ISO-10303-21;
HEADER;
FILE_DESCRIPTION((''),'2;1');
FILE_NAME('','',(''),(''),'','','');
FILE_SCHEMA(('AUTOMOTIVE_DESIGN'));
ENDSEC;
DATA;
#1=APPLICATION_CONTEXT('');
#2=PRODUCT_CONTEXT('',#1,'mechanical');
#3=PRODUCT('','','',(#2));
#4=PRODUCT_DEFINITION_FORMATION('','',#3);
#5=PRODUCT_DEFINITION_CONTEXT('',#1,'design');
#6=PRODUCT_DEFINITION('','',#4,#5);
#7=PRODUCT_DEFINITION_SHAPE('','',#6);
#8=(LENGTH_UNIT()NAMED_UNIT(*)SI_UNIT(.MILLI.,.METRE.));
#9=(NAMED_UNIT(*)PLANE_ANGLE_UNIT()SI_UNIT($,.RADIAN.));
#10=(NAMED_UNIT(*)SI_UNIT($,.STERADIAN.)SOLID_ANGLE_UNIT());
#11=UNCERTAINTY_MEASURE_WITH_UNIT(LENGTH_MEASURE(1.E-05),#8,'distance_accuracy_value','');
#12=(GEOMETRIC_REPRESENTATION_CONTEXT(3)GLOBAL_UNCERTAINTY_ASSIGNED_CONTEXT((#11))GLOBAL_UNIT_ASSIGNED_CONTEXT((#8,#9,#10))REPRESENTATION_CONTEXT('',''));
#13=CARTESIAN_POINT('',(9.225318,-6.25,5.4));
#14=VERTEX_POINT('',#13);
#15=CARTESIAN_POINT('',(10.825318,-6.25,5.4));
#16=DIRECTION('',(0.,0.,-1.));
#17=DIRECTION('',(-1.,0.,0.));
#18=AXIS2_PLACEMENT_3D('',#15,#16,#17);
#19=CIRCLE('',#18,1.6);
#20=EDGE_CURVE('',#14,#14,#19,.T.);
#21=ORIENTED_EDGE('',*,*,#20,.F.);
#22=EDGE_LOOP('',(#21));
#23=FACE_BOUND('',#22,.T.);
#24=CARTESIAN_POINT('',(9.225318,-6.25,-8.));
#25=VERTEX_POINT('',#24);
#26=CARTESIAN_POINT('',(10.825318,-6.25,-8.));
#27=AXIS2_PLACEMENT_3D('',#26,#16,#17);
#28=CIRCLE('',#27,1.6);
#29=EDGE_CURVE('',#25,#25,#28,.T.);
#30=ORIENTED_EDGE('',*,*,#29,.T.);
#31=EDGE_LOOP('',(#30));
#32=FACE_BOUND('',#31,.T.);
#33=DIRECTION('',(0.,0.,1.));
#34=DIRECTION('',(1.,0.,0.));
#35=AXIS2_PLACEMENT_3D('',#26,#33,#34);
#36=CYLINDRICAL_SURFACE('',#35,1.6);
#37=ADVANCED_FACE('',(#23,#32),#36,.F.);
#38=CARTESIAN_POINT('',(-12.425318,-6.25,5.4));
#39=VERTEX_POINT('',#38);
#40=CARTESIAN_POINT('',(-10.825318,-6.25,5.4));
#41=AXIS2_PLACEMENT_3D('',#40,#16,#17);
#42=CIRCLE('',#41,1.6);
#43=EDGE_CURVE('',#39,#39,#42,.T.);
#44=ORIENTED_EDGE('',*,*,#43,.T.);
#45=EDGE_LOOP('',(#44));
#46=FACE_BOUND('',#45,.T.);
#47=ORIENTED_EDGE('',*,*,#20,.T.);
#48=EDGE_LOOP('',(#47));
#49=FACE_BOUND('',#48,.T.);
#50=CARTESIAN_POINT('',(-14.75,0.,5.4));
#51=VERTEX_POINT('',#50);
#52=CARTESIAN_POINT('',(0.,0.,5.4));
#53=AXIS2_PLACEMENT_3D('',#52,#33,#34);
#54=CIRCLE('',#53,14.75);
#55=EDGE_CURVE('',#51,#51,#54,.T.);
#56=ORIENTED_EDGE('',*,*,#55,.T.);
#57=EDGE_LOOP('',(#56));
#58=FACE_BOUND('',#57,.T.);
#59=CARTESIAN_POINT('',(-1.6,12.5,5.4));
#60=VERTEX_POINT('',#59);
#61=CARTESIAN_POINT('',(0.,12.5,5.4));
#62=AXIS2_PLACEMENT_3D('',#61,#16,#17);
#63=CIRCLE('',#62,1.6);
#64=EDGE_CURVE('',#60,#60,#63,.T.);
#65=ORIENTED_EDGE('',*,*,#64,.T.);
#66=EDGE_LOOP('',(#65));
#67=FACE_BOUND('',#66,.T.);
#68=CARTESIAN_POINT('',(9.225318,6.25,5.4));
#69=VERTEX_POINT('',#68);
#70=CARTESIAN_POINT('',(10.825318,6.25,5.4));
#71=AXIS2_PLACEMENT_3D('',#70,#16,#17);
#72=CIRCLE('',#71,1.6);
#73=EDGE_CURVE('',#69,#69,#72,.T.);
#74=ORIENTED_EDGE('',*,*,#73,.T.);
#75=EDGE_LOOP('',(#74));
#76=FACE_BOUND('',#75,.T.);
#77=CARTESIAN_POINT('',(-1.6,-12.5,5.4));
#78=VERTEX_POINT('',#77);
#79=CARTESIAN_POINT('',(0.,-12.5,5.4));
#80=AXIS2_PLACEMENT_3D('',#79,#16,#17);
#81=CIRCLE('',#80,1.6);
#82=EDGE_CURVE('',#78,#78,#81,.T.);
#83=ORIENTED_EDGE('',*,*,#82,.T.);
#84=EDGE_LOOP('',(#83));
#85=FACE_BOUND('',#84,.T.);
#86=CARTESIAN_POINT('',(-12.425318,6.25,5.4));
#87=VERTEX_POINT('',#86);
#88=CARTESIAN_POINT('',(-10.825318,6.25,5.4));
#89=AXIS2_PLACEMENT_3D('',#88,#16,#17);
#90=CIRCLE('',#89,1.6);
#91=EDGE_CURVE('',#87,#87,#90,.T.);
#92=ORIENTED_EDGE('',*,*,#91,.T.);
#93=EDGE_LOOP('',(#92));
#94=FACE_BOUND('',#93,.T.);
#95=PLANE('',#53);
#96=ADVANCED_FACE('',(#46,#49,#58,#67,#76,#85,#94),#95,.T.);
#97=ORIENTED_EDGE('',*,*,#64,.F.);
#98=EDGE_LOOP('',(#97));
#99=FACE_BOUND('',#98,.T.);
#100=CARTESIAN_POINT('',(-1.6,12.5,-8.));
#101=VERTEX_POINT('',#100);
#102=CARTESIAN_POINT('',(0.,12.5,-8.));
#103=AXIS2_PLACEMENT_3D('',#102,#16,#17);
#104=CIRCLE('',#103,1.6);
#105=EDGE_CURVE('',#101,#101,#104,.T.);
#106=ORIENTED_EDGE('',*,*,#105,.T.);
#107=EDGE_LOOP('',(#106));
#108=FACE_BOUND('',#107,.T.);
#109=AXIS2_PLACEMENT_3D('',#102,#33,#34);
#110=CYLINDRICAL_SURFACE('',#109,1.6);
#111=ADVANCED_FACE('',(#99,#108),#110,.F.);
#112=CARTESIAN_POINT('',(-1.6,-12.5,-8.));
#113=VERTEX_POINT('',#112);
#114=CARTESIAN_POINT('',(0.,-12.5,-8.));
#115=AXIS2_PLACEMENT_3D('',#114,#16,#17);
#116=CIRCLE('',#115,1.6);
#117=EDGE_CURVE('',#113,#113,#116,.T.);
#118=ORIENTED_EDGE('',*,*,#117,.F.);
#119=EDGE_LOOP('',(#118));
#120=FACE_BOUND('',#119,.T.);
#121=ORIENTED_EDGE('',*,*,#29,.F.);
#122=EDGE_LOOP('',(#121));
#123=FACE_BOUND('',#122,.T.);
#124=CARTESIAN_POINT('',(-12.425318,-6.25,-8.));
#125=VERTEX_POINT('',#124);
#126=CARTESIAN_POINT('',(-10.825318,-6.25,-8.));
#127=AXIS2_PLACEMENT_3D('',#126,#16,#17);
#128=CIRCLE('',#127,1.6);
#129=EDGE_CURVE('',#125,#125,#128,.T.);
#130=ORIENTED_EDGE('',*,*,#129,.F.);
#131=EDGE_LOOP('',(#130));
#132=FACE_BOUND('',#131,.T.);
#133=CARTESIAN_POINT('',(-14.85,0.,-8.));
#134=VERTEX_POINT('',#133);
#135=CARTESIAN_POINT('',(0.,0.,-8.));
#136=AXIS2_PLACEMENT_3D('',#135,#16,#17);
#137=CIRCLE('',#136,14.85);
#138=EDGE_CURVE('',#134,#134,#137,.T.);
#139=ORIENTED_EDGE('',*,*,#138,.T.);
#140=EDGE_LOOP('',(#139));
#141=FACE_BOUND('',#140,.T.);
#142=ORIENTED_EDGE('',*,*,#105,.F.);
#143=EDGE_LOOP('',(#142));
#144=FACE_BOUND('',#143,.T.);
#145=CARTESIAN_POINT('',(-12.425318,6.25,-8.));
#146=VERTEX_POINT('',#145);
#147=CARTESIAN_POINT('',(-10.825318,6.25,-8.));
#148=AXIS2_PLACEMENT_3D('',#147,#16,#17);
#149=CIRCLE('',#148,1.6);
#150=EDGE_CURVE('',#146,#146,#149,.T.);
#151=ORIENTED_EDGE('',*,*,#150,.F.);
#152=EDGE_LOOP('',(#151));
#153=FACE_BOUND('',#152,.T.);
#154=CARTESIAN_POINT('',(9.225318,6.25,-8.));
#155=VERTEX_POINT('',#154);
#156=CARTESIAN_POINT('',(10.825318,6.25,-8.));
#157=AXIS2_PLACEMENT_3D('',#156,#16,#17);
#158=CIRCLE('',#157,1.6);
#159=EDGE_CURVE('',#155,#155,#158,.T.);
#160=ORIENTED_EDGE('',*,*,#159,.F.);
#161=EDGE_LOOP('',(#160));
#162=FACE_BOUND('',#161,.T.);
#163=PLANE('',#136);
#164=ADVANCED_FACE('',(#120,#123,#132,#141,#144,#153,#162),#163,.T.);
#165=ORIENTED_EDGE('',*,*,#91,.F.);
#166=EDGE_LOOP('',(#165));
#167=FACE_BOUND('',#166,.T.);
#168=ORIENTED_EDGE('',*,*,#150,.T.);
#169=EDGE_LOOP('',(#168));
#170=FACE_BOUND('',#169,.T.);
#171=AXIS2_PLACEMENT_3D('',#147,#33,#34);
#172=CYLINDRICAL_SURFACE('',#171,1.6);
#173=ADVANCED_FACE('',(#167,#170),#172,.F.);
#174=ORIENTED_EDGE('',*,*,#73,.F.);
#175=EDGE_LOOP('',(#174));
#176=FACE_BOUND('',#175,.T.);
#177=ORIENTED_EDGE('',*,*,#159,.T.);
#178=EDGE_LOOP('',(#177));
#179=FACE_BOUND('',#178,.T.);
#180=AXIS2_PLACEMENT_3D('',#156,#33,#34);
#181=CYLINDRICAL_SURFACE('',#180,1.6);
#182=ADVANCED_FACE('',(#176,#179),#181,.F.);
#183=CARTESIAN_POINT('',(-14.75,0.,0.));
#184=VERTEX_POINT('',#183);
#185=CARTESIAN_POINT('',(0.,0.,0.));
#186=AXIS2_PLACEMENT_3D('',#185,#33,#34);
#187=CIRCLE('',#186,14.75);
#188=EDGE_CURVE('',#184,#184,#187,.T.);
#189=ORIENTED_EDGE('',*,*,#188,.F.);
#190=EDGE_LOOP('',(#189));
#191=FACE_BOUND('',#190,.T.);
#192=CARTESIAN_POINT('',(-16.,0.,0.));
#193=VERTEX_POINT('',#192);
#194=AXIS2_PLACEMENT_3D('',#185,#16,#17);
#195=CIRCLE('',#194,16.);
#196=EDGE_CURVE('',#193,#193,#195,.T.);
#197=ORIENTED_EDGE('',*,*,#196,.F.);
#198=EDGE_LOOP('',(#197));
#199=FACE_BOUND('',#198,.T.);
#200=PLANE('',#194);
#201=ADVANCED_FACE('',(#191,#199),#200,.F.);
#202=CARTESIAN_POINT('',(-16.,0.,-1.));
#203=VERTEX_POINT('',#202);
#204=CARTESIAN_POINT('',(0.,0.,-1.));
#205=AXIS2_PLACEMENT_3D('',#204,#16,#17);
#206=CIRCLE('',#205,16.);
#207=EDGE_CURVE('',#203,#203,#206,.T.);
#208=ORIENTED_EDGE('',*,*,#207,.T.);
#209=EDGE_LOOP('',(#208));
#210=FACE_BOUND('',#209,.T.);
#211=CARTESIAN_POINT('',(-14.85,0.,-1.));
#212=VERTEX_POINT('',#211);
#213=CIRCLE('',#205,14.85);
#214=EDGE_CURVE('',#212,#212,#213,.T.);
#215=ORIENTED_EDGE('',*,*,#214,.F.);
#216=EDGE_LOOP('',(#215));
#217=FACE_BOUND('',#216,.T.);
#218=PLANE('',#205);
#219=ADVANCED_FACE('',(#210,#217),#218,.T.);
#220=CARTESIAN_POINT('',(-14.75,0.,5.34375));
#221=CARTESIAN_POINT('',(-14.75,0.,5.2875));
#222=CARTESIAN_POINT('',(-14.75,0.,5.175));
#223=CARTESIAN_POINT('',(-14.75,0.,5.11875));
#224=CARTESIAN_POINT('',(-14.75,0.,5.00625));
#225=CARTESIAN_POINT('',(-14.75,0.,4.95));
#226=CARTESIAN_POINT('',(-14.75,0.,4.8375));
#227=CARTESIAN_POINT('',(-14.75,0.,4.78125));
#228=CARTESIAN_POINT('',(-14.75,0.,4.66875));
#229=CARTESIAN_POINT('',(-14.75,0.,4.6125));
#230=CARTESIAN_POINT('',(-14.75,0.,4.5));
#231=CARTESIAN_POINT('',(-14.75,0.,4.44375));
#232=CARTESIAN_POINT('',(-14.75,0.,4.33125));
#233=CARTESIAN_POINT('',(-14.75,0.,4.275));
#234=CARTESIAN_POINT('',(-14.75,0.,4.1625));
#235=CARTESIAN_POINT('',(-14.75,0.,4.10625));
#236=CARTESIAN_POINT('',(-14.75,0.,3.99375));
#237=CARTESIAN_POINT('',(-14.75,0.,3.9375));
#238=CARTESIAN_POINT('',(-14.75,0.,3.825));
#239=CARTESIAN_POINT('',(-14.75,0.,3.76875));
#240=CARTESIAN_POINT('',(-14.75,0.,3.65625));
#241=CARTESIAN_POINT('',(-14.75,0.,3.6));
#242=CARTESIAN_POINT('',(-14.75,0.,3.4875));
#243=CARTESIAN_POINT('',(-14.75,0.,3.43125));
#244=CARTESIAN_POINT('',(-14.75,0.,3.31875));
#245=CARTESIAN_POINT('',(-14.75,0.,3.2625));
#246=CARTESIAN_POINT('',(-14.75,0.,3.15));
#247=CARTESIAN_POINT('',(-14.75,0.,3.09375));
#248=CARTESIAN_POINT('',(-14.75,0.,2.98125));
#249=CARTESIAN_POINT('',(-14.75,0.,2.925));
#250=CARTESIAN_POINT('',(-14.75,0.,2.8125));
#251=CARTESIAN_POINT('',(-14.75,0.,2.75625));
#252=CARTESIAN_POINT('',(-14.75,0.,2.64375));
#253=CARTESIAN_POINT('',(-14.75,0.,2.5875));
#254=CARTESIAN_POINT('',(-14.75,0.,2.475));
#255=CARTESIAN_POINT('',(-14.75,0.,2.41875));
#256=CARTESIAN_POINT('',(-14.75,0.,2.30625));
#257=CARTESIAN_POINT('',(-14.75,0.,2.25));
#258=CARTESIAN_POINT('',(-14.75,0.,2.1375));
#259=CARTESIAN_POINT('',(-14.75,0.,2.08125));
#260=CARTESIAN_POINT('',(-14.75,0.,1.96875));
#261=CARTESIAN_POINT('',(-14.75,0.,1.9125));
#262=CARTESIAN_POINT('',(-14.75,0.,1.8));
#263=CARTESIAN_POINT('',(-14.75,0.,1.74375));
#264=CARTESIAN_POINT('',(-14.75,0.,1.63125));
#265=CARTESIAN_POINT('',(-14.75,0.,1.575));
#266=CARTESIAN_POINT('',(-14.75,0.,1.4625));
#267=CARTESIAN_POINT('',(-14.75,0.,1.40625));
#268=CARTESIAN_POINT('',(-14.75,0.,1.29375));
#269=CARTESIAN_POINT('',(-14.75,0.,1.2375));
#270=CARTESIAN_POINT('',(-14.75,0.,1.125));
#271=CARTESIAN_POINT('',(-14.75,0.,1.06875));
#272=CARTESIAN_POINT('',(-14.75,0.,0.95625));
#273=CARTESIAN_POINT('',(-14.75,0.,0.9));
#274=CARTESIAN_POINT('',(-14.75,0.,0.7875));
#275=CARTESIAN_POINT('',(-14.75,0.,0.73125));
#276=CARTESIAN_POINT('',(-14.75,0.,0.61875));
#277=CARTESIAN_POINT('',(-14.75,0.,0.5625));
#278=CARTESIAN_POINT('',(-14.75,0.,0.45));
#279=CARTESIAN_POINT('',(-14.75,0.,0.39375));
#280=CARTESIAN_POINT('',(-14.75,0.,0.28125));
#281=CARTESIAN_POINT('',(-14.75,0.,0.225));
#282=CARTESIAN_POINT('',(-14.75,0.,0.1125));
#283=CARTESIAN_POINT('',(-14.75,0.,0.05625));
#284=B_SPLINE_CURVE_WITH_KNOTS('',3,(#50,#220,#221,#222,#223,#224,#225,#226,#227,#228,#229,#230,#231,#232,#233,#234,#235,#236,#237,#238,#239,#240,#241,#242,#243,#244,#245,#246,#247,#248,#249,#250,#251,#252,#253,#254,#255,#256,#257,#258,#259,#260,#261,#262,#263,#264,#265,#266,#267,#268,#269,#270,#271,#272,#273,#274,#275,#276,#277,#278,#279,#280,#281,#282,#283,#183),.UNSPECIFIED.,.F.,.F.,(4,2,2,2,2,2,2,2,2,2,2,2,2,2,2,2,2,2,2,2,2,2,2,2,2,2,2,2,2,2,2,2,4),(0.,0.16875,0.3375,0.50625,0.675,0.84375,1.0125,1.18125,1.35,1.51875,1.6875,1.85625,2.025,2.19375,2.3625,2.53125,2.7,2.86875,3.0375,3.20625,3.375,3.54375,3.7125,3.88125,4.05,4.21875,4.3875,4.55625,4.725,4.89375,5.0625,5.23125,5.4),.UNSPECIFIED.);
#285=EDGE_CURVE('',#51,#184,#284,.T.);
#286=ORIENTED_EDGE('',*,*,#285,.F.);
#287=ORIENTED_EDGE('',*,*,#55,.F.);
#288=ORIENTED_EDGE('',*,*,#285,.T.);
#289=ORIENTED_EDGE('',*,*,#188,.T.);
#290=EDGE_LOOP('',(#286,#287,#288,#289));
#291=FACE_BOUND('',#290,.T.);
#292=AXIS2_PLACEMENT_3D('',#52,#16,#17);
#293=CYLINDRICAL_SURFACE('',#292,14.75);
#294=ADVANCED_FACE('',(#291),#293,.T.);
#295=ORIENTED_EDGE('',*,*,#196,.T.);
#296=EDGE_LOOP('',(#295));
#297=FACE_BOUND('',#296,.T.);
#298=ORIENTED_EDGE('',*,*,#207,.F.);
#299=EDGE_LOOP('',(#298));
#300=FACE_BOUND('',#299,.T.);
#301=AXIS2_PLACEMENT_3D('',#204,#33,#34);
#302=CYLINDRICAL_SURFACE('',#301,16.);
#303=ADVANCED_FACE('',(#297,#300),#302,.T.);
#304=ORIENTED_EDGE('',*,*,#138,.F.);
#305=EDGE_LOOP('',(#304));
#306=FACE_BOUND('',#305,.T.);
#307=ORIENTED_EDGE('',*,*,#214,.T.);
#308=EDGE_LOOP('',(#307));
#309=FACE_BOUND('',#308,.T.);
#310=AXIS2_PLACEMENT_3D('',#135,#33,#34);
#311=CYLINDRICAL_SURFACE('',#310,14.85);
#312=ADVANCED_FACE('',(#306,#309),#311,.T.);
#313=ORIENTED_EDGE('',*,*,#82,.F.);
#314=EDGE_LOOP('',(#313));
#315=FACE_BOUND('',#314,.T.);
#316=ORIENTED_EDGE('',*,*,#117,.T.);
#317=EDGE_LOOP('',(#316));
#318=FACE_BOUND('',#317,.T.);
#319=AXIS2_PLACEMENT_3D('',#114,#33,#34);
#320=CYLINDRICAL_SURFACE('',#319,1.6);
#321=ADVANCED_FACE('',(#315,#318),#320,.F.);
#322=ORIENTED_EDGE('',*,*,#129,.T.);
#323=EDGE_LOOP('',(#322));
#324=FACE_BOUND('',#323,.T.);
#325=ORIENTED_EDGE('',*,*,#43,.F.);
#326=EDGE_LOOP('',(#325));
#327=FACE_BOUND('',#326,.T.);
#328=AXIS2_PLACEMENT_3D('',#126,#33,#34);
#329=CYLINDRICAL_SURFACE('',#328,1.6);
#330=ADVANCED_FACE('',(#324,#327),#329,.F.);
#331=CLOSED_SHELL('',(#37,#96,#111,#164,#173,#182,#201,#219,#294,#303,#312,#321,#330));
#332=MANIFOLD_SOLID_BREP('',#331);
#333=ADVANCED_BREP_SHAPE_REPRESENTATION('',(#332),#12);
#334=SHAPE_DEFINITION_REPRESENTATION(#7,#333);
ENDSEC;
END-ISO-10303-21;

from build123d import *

# Parameters (mm, degrees)
SKETCH_1_R          = 14.75
EXTRUDE_1_DEPTH     = 5.4
SKETCH_3_R          = 16
EXTRUDE_2_DEPTH     = 1
SKETCH_4_R          = 14.85
EXTRUDE_3_DEPTH     = 7
SKETCH_2_R          = 1.6
CUT_EXTRUDE_2_DEPTH = 27.297528401


with BuildPart() as part:
    # 草图1 → 凸台-拉伸1 (new body)
    with BuildSketch(Plane.XY):
        with Locations(Location((0, 0, 0), (0, 0, 180))):
            Circle(SKETCH_1_R)
    extrude(amount=EXTRUDE_1_DEPTH)

    # 草图3 → 凸台-拉伸2 (add)
    with BuildSketch(Plane(origin=(0, 0, 0), x_dir=(-1, 0, 0), z_dir=(0, 0, -1))):
        Circle(SKETCH_3_R)
    extrude(amount=EXTRUDE_2_DEPTH)

    # 草图4 → 凸台-拉伸3 (add)
    with BuildSketch(Plane(origin=(0, 0, -1), x_dir=(-1, 0, 0), z_dir=(0, 0, -1))):
        Circle(SKETCH_4_R)
    extrude(amount=EXTRUDE_3_DEPTH)

    # 草图2 → 切除-拉伸2 (cut, through all)
    with BuildSketch(Plane(origin=(0, 0, 5.4), x_dir=(-1, 0, 0), z_dir=(0, 0, -1))):
        with Locations((10.825317547, -6.25)):
            Circle(SKETCH_2_R)
        with Locations((-10.825317547, 6.25)):
            Circle(SKETCH_2_R)
        with Locations((-10.825317547, -6.25)):
            Circle(SKETCH_2_R)
        with Locations((0, -12.5)):
            Circle(SKETCH_2_R)
        with Locations((10.825317547, 6.25)):
            Circle(SKETCH_2_R)
        with Locations((0, 12.5)):
            Circle(SKETCH_2_R)
    extrude(amount=CUT_EXTRUDE_2_DEPTH, mode=Mode.SUBTRACT)


solid = part.part
